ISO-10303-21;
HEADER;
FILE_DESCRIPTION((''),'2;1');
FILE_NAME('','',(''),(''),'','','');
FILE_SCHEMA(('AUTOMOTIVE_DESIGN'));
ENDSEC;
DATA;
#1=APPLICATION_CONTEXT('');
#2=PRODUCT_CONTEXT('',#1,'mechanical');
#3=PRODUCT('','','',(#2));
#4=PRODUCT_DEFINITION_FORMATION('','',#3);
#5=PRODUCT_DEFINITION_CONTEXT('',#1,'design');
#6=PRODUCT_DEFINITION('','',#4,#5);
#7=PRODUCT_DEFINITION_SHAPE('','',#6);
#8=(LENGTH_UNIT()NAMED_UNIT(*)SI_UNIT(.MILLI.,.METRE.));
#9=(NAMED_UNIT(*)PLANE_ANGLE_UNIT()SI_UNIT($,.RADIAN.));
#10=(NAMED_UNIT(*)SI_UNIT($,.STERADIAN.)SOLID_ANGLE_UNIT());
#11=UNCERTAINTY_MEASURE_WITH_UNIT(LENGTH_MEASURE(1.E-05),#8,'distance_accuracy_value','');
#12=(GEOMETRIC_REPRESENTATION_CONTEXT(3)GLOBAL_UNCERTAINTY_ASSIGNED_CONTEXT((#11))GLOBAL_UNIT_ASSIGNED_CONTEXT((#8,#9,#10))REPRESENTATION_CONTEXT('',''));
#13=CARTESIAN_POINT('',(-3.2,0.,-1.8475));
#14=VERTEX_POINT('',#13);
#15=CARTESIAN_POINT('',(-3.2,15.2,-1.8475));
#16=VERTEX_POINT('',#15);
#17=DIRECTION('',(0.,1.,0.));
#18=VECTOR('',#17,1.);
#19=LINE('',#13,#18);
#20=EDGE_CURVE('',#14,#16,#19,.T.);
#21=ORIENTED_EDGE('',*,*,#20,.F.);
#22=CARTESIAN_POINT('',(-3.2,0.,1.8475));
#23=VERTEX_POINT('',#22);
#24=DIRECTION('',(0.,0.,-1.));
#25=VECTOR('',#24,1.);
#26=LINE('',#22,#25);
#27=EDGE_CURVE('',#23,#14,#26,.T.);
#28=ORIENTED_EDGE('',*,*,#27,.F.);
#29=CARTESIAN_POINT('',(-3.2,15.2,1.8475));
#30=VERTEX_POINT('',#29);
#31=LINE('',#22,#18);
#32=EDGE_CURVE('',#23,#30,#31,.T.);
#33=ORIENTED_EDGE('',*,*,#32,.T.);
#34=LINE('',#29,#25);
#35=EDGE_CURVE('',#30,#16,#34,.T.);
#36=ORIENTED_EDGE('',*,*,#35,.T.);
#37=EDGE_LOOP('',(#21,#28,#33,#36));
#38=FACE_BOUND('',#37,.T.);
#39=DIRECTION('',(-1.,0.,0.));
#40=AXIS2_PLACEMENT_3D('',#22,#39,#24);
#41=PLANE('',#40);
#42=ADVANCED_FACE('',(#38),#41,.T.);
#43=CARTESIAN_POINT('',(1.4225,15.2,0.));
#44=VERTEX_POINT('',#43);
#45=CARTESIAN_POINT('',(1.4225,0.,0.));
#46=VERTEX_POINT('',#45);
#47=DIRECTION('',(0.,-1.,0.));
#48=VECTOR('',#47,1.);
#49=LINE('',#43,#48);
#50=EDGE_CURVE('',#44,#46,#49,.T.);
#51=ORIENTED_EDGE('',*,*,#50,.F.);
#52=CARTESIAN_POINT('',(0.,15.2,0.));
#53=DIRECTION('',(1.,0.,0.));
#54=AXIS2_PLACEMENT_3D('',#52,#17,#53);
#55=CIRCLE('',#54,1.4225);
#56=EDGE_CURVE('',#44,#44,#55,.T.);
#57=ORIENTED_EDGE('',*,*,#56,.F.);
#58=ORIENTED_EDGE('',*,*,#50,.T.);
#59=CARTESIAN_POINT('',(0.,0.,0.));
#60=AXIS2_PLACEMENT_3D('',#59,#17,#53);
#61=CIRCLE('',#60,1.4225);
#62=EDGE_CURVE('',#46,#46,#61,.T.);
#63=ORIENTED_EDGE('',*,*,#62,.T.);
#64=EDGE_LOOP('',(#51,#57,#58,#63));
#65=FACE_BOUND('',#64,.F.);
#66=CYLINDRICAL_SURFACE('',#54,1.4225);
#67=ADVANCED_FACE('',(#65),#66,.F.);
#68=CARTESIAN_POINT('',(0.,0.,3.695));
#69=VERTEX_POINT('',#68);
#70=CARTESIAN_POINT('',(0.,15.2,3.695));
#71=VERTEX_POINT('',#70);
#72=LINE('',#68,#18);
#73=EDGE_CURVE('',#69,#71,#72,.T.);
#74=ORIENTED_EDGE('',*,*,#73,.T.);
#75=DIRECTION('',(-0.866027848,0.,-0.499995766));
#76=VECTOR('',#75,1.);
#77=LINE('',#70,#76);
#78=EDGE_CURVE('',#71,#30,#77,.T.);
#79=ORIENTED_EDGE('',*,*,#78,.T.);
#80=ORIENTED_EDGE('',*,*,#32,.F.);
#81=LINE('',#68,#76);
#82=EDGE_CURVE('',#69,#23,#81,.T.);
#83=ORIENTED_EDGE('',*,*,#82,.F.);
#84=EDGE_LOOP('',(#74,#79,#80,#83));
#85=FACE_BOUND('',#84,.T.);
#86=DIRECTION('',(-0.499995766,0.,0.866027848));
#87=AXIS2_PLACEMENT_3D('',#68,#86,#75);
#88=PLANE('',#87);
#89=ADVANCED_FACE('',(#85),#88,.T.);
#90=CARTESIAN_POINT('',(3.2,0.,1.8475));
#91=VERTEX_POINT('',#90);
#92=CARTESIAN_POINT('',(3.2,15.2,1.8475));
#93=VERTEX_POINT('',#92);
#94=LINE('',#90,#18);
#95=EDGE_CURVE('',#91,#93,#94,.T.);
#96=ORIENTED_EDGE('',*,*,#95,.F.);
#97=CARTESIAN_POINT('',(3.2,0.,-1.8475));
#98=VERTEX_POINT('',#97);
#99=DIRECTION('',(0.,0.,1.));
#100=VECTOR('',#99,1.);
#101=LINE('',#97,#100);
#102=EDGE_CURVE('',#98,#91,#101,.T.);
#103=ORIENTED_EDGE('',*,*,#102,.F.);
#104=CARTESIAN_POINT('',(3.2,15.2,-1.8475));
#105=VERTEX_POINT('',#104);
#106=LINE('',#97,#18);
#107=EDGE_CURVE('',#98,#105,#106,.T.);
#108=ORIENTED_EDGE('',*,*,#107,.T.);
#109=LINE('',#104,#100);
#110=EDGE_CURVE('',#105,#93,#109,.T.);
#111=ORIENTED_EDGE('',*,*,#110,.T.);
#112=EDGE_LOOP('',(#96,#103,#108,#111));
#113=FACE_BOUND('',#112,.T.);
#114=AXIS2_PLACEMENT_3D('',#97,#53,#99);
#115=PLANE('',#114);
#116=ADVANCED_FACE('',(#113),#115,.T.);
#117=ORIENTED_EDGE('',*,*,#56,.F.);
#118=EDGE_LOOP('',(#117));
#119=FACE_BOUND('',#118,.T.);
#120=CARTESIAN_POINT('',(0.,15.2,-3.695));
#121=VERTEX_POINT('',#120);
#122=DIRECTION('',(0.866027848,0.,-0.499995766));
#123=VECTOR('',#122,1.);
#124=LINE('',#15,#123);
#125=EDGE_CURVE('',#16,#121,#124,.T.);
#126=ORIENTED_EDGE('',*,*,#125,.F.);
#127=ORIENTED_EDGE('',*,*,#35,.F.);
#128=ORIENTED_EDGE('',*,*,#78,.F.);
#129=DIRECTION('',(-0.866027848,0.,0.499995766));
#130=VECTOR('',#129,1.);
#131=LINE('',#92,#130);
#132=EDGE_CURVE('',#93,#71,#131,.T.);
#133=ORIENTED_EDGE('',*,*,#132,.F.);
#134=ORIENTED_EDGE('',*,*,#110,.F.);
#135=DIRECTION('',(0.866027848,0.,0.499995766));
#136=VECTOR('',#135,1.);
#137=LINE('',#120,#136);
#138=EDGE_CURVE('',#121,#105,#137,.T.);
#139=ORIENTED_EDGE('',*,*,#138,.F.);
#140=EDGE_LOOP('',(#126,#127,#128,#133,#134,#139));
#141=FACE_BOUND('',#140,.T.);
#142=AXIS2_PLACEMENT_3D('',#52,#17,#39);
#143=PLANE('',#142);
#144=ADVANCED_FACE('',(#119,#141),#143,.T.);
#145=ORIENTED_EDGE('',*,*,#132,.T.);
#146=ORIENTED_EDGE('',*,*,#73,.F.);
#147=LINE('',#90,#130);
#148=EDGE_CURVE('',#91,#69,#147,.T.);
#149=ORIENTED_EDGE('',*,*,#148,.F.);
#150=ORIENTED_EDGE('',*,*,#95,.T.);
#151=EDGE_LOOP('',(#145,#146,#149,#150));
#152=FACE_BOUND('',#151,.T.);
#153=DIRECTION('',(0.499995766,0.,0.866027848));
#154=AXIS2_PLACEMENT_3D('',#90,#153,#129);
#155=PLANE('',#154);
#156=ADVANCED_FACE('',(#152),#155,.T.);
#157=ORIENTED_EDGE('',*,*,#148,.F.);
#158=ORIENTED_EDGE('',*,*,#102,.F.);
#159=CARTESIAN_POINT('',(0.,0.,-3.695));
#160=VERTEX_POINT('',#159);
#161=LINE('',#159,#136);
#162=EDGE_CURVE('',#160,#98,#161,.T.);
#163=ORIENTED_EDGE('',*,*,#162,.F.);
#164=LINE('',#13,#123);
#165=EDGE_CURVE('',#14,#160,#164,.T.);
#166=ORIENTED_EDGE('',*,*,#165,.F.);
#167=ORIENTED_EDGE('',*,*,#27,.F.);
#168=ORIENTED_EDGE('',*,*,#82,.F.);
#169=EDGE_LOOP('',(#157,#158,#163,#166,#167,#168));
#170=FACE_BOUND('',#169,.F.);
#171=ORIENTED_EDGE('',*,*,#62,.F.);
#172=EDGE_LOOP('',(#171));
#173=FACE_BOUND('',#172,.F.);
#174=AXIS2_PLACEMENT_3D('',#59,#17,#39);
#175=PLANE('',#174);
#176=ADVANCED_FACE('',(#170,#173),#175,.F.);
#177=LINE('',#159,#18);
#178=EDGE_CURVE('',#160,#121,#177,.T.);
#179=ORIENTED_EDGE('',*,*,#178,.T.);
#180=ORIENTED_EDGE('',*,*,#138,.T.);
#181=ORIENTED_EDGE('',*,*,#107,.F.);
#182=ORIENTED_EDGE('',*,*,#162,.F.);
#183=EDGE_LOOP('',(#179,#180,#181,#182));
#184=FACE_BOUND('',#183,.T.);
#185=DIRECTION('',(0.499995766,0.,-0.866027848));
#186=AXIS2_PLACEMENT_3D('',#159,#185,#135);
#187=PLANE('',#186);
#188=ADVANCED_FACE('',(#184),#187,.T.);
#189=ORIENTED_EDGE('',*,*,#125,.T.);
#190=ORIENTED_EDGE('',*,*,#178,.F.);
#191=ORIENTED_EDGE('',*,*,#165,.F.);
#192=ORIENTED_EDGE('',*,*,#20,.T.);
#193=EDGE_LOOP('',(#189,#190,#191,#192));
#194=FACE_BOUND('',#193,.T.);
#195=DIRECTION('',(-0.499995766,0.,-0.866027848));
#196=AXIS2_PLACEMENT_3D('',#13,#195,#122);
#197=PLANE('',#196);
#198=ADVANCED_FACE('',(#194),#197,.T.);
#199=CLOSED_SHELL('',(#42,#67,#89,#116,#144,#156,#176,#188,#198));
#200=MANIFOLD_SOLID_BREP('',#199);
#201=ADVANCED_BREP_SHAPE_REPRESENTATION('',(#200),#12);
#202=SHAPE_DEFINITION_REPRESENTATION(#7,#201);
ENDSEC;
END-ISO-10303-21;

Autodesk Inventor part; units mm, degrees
ref_plane "YZ Plane" through (0, 0, 0) normal (1, 0, 0) x (0, 1, 0)
ref_plane "XZ Plane" through (0, 0, 0) normal (0, 1, 0) x (-1, 0, 0)
ref_plane "XY Plane" through (0, 0, 0) normal (0, 0, 1) x (1, 0, 0)
sketch "Sketch1" plane through (0, 0, 0) normal (0, 1, 0) x (-1, 0, 0)
  line L0 (3.2, 1.8475) -> (3.2, -1.8475)
  line L1 (3.2, -1.8475) -> (0, -3.695)
  line L2 (0, -3.695) -> (-3.2, -1.8475)
  line L3 (-3.2, -1.8475) -> (-3.2, 1.8475)
  line L4 (-3.2, 1.8475) -> (0, 3.695)
  line L5 (0, 3.695) -> (3.2, 1.8475)
  point P0 (0, 0)
  point P1 (3.2, 0)
  point P2 (-3.2, 0)
  dimension "d0" = 6.4
  dimension "d1" = 120
  dimension "d2" = 6.4
extrude "Extrusion1" add sketch "Sketch1" along normal blind 15.2
sketch "Sketch4" plane through (0, 15.2, 0) normal (0, 1, 0) x (1, 0, 0)
  circle A0 centre (0, 0) radius 1.4225
  dimension "d11" = 2.845
extrude "Extrusion4" cut sketch "Sketch4" against normal through all
properties part number "pc104standoff2" material "Stainless Steel"
